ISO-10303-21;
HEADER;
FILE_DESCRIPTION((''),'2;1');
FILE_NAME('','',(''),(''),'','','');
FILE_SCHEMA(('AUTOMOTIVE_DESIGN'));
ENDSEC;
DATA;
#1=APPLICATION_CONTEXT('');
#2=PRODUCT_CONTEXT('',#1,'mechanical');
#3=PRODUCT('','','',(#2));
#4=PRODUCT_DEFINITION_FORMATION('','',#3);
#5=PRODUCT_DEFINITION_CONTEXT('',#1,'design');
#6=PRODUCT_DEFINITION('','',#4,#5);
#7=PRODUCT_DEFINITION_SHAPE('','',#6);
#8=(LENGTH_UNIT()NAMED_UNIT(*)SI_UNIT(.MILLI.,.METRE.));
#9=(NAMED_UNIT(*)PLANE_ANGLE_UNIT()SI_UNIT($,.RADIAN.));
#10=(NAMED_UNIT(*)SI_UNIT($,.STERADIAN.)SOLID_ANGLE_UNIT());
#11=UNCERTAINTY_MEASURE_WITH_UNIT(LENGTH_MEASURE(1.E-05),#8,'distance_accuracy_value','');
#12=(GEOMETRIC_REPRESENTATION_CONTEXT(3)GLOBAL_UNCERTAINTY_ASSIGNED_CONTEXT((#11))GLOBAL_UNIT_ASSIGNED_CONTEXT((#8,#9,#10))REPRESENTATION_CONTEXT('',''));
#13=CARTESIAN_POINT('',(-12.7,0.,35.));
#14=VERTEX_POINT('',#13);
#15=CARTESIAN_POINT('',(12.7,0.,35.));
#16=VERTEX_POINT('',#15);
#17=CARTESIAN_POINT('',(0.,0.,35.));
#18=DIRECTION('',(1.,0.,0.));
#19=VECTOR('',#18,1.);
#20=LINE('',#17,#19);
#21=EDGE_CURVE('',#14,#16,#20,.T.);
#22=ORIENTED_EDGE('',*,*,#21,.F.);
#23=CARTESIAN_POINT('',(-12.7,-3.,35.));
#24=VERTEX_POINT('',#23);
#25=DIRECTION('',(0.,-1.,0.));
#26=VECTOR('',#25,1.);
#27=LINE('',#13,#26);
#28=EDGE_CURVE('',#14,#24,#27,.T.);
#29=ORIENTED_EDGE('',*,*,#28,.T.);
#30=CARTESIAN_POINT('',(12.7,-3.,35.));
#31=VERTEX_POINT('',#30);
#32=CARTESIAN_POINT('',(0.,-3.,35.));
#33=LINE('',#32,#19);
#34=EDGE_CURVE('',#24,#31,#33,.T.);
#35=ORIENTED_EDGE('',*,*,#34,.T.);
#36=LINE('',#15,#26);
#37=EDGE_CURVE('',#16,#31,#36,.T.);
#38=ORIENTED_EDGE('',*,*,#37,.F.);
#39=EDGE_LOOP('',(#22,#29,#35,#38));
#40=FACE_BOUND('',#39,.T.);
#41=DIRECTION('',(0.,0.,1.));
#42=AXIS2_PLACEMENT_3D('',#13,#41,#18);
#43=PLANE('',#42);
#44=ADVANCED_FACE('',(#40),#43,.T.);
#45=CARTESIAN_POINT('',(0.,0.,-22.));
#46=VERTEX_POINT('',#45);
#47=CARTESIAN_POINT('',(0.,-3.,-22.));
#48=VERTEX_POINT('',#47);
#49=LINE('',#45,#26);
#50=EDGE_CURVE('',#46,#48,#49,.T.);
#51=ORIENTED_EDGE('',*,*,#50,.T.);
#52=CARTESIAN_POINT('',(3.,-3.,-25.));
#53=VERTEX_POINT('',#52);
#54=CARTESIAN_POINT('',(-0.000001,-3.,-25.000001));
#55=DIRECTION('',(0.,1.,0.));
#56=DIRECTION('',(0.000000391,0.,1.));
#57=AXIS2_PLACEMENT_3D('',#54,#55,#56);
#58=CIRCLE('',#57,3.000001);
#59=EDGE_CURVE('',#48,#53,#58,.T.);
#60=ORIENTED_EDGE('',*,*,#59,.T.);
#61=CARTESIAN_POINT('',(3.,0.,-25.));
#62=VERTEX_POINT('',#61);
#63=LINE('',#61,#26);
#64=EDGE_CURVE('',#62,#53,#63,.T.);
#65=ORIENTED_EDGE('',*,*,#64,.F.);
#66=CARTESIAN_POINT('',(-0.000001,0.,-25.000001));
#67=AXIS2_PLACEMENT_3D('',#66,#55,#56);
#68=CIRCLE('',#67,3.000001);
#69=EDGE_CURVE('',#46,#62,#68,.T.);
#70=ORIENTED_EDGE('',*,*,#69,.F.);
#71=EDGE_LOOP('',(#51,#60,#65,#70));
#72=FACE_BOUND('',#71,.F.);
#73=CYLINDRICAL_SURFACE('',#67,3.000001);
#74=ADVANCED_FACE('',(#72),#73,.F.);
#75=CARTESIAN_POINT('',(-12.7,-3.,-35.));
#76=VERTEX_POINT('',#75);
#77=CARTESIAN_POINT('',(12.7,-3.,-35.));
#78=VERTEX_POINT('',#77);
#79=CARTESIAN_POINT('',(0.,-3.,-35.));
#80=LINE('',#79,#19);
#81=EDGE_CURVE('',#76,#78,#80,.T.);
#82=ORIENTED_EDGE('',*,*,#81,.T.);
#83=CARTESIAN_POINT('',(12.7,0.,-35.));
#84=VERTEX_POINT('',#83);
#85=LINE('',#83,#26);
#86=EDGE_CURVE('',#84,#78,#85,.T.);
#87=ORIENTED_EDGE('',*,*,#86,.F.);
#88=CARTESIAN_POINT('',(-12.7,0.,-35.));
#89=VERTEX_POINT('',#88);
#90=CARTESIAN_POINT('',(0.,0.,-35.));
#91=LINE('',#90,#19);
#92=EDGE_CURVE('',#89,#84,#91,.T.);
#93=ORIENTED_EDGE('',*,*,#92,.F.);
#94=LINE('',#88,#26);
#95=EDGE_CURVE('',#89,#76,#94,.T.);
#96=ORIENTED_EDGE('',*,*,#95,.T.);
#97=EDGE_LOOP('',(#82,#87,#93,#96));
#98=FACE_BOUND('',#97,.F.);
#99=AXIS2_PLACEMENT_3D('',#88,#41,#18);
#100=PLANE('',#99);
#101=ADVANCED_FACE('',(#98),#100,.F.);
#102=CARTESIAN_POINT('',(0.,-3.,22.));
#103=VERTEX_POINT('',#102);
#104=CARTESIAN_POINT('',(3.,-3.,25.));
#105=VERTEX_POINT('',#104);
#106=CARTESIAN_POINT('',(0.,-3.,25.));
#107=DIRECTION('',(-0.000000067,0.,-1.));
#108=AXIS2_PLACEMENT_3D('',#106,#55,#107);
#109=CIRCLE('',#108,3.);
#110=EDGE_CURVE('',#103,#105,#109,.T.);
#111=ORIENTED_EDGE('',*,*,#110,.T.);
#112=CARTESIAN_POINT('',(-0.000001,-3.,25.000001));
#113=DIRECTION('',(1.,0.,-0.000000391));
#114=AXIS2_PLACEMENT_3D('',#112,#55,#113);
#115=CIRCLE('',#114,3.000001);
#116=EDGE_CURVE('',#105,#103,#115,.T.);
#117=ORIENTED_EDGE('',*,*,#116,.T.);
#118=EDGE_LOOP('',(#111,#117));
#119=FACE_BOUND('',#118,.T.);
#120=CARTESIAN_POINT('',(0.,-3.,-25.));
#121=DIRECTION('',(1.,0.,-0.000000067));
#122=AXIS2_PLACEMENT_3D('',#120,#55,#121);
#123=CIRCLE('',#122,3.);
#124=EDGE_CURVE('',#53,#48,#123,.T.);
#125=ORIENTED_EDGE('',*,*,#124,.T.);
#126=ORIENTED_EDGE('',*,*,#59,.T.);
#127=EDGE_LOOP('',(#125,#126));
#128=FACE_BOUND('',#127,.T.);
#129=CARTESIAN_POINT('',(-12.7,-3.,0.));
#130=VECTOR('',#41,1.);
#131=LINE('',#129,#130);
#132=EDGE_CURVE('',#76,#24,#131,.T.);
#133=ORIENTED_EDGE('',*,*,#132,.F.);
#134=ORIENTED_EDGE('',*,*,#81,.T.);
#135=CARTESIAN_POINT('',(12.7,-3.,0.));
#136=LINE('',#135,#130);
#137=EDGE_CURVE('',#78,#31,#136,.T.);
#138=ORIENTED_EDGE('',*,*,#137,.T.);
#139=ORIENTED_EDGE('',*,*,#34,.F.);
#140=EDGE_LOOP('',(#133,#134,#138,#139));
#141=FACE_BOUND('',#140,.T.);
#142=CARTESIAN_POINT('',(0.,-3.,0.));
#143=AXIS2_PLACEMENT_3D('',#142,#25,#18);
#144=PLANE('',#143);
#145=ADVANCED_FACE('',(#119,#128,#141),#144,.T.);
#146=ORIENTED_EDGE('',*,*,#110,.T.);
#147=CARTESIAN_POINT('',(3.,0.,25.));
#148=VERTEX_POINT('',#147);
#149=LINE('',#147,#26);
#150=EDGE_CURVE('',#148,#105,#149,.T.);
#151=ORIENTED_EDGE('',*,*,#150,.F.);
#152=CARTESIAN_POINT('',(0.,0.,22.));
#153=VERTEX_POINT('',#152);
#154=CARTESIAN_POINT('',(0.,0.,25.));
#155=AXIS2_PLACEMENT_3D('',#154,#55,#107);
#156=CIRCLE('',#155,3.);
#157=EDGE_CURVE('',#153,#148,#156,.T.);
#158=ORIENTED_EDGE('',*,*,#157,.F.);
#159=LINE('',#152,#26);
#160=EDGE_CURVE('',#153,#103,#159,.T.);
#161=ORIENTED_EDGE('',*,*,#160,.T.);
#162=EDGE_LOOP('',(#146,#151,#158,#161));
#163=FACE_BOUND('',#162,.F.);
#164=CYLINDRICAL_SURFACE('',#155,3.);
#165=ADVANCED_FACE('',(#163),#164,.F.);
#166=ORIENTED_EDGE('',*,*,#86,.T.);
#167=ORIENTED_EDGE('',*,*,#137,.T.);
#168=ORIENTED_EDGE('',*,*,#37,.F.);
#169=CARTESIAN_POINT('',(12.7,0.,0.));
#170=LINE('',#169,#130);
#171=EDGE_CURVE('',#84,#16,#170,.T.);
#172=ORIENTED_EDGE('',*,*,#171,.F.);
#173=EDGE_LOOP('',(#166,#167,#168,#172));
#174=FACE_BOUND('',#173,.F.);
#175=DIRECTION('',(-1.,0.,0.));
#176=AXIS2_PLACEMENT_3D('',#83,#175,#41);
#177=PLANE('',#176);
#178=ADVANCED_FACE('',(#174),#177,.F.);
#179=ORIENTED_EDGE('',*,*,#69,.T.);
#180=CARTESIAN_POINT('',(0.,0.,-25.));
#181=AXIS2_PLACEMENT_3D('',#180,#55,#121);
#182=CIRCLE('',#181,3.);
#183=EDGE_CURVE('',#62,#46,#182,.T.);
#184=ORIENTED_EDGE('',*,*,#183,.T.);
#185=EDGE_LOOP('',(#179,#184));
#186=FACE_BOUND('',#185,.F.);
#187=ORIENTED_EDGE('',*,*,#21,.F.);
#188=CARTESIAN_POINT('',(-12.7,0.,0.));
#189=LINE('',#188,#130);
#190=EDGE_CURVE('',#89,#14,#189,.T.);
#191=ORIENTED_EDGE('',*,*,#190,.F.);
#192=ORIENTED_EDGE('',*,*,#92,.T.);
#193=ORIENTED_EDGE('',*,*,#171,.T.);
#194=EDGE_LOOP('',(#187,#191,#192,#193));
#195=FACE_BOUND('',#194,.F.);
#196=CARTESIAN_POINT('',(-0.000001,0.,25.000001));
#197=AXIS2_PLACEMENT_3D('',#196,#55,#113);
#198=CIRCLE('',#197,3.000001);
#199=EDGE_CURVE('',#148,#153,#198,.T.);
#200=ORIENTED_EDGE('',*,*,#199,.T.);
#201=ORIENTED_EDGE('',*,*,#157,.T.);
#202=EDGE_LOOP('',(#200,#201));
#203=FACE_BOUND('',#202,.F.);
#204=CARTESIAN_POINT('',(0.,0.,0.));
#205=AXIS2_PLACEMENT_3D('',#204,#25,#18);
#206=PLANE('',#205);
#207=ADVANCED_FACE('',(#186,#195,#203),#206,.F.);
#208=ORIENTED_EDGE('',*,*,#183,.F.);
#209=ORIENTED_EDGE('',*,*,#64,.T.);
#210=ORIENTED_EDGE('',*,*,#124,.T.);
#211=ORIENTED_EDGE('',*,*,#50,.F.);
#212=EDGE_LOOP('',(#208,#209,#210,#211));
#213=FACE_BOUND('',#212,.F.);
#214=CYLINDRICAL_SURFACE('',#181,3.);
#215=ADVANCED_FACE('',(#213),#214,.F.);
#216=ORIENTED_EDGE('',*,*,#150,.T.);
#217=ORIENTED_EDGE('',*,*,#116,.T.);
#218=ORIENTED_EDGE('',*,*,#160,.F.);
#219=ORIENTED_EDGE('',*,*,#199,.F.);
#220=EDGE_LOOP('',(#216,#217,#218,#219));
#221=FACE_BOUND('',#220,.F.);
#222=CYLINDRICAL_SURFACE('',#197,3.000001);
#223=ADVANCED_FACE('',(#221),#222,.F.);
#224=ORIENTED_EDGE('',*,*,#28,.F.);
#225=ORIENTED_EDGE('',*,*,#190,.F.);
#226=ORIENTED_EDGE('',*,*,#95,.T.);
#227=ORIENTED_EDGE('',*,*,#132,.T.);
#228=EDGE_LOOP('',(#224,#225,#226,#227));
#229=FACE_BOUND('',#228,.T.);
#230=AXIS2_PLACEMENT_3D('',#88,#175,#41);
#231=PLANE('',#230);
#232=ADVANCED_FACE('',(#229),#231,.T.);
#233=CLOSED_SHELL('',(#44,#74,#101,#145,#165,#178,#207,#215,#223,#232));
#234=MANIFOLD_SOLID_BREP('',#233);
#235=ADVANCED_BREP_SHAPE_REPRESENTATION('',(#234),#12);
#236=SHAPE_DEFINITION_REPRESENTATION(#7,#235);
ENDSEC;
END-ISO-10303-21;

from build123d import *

# Parameters (mm, degrees)
F0_W     = 25.4
F0_H     = 70
F1_DEPTH = 3


with BuildPart() as f1:
    # F0 (on Front) → F1 (new body)
    with BuildSketch(Plane.XZ):
        Rectangle(F0_W, F0_H)
        with BuildLine():
            ThreePointArc((3, -25), (-2.12132, -27.12132), (0, -22))
            ThreePointArc((0, -22), (2.12132, -22.87868), (3, -25))
        make_face(mode=Mode.SUBTRACT)
        with BuildLine():
            ThreePointArc((3, 25), (2.12132, 22.87868), (0, 22))
            ThreePointArc((0, 22), (-2.12132, 27.12132), (3, 25))
        make_face(mode=Mode.SUBTRACT)
    extrude(amount=F1_DEPTH)


solid = f1.part
